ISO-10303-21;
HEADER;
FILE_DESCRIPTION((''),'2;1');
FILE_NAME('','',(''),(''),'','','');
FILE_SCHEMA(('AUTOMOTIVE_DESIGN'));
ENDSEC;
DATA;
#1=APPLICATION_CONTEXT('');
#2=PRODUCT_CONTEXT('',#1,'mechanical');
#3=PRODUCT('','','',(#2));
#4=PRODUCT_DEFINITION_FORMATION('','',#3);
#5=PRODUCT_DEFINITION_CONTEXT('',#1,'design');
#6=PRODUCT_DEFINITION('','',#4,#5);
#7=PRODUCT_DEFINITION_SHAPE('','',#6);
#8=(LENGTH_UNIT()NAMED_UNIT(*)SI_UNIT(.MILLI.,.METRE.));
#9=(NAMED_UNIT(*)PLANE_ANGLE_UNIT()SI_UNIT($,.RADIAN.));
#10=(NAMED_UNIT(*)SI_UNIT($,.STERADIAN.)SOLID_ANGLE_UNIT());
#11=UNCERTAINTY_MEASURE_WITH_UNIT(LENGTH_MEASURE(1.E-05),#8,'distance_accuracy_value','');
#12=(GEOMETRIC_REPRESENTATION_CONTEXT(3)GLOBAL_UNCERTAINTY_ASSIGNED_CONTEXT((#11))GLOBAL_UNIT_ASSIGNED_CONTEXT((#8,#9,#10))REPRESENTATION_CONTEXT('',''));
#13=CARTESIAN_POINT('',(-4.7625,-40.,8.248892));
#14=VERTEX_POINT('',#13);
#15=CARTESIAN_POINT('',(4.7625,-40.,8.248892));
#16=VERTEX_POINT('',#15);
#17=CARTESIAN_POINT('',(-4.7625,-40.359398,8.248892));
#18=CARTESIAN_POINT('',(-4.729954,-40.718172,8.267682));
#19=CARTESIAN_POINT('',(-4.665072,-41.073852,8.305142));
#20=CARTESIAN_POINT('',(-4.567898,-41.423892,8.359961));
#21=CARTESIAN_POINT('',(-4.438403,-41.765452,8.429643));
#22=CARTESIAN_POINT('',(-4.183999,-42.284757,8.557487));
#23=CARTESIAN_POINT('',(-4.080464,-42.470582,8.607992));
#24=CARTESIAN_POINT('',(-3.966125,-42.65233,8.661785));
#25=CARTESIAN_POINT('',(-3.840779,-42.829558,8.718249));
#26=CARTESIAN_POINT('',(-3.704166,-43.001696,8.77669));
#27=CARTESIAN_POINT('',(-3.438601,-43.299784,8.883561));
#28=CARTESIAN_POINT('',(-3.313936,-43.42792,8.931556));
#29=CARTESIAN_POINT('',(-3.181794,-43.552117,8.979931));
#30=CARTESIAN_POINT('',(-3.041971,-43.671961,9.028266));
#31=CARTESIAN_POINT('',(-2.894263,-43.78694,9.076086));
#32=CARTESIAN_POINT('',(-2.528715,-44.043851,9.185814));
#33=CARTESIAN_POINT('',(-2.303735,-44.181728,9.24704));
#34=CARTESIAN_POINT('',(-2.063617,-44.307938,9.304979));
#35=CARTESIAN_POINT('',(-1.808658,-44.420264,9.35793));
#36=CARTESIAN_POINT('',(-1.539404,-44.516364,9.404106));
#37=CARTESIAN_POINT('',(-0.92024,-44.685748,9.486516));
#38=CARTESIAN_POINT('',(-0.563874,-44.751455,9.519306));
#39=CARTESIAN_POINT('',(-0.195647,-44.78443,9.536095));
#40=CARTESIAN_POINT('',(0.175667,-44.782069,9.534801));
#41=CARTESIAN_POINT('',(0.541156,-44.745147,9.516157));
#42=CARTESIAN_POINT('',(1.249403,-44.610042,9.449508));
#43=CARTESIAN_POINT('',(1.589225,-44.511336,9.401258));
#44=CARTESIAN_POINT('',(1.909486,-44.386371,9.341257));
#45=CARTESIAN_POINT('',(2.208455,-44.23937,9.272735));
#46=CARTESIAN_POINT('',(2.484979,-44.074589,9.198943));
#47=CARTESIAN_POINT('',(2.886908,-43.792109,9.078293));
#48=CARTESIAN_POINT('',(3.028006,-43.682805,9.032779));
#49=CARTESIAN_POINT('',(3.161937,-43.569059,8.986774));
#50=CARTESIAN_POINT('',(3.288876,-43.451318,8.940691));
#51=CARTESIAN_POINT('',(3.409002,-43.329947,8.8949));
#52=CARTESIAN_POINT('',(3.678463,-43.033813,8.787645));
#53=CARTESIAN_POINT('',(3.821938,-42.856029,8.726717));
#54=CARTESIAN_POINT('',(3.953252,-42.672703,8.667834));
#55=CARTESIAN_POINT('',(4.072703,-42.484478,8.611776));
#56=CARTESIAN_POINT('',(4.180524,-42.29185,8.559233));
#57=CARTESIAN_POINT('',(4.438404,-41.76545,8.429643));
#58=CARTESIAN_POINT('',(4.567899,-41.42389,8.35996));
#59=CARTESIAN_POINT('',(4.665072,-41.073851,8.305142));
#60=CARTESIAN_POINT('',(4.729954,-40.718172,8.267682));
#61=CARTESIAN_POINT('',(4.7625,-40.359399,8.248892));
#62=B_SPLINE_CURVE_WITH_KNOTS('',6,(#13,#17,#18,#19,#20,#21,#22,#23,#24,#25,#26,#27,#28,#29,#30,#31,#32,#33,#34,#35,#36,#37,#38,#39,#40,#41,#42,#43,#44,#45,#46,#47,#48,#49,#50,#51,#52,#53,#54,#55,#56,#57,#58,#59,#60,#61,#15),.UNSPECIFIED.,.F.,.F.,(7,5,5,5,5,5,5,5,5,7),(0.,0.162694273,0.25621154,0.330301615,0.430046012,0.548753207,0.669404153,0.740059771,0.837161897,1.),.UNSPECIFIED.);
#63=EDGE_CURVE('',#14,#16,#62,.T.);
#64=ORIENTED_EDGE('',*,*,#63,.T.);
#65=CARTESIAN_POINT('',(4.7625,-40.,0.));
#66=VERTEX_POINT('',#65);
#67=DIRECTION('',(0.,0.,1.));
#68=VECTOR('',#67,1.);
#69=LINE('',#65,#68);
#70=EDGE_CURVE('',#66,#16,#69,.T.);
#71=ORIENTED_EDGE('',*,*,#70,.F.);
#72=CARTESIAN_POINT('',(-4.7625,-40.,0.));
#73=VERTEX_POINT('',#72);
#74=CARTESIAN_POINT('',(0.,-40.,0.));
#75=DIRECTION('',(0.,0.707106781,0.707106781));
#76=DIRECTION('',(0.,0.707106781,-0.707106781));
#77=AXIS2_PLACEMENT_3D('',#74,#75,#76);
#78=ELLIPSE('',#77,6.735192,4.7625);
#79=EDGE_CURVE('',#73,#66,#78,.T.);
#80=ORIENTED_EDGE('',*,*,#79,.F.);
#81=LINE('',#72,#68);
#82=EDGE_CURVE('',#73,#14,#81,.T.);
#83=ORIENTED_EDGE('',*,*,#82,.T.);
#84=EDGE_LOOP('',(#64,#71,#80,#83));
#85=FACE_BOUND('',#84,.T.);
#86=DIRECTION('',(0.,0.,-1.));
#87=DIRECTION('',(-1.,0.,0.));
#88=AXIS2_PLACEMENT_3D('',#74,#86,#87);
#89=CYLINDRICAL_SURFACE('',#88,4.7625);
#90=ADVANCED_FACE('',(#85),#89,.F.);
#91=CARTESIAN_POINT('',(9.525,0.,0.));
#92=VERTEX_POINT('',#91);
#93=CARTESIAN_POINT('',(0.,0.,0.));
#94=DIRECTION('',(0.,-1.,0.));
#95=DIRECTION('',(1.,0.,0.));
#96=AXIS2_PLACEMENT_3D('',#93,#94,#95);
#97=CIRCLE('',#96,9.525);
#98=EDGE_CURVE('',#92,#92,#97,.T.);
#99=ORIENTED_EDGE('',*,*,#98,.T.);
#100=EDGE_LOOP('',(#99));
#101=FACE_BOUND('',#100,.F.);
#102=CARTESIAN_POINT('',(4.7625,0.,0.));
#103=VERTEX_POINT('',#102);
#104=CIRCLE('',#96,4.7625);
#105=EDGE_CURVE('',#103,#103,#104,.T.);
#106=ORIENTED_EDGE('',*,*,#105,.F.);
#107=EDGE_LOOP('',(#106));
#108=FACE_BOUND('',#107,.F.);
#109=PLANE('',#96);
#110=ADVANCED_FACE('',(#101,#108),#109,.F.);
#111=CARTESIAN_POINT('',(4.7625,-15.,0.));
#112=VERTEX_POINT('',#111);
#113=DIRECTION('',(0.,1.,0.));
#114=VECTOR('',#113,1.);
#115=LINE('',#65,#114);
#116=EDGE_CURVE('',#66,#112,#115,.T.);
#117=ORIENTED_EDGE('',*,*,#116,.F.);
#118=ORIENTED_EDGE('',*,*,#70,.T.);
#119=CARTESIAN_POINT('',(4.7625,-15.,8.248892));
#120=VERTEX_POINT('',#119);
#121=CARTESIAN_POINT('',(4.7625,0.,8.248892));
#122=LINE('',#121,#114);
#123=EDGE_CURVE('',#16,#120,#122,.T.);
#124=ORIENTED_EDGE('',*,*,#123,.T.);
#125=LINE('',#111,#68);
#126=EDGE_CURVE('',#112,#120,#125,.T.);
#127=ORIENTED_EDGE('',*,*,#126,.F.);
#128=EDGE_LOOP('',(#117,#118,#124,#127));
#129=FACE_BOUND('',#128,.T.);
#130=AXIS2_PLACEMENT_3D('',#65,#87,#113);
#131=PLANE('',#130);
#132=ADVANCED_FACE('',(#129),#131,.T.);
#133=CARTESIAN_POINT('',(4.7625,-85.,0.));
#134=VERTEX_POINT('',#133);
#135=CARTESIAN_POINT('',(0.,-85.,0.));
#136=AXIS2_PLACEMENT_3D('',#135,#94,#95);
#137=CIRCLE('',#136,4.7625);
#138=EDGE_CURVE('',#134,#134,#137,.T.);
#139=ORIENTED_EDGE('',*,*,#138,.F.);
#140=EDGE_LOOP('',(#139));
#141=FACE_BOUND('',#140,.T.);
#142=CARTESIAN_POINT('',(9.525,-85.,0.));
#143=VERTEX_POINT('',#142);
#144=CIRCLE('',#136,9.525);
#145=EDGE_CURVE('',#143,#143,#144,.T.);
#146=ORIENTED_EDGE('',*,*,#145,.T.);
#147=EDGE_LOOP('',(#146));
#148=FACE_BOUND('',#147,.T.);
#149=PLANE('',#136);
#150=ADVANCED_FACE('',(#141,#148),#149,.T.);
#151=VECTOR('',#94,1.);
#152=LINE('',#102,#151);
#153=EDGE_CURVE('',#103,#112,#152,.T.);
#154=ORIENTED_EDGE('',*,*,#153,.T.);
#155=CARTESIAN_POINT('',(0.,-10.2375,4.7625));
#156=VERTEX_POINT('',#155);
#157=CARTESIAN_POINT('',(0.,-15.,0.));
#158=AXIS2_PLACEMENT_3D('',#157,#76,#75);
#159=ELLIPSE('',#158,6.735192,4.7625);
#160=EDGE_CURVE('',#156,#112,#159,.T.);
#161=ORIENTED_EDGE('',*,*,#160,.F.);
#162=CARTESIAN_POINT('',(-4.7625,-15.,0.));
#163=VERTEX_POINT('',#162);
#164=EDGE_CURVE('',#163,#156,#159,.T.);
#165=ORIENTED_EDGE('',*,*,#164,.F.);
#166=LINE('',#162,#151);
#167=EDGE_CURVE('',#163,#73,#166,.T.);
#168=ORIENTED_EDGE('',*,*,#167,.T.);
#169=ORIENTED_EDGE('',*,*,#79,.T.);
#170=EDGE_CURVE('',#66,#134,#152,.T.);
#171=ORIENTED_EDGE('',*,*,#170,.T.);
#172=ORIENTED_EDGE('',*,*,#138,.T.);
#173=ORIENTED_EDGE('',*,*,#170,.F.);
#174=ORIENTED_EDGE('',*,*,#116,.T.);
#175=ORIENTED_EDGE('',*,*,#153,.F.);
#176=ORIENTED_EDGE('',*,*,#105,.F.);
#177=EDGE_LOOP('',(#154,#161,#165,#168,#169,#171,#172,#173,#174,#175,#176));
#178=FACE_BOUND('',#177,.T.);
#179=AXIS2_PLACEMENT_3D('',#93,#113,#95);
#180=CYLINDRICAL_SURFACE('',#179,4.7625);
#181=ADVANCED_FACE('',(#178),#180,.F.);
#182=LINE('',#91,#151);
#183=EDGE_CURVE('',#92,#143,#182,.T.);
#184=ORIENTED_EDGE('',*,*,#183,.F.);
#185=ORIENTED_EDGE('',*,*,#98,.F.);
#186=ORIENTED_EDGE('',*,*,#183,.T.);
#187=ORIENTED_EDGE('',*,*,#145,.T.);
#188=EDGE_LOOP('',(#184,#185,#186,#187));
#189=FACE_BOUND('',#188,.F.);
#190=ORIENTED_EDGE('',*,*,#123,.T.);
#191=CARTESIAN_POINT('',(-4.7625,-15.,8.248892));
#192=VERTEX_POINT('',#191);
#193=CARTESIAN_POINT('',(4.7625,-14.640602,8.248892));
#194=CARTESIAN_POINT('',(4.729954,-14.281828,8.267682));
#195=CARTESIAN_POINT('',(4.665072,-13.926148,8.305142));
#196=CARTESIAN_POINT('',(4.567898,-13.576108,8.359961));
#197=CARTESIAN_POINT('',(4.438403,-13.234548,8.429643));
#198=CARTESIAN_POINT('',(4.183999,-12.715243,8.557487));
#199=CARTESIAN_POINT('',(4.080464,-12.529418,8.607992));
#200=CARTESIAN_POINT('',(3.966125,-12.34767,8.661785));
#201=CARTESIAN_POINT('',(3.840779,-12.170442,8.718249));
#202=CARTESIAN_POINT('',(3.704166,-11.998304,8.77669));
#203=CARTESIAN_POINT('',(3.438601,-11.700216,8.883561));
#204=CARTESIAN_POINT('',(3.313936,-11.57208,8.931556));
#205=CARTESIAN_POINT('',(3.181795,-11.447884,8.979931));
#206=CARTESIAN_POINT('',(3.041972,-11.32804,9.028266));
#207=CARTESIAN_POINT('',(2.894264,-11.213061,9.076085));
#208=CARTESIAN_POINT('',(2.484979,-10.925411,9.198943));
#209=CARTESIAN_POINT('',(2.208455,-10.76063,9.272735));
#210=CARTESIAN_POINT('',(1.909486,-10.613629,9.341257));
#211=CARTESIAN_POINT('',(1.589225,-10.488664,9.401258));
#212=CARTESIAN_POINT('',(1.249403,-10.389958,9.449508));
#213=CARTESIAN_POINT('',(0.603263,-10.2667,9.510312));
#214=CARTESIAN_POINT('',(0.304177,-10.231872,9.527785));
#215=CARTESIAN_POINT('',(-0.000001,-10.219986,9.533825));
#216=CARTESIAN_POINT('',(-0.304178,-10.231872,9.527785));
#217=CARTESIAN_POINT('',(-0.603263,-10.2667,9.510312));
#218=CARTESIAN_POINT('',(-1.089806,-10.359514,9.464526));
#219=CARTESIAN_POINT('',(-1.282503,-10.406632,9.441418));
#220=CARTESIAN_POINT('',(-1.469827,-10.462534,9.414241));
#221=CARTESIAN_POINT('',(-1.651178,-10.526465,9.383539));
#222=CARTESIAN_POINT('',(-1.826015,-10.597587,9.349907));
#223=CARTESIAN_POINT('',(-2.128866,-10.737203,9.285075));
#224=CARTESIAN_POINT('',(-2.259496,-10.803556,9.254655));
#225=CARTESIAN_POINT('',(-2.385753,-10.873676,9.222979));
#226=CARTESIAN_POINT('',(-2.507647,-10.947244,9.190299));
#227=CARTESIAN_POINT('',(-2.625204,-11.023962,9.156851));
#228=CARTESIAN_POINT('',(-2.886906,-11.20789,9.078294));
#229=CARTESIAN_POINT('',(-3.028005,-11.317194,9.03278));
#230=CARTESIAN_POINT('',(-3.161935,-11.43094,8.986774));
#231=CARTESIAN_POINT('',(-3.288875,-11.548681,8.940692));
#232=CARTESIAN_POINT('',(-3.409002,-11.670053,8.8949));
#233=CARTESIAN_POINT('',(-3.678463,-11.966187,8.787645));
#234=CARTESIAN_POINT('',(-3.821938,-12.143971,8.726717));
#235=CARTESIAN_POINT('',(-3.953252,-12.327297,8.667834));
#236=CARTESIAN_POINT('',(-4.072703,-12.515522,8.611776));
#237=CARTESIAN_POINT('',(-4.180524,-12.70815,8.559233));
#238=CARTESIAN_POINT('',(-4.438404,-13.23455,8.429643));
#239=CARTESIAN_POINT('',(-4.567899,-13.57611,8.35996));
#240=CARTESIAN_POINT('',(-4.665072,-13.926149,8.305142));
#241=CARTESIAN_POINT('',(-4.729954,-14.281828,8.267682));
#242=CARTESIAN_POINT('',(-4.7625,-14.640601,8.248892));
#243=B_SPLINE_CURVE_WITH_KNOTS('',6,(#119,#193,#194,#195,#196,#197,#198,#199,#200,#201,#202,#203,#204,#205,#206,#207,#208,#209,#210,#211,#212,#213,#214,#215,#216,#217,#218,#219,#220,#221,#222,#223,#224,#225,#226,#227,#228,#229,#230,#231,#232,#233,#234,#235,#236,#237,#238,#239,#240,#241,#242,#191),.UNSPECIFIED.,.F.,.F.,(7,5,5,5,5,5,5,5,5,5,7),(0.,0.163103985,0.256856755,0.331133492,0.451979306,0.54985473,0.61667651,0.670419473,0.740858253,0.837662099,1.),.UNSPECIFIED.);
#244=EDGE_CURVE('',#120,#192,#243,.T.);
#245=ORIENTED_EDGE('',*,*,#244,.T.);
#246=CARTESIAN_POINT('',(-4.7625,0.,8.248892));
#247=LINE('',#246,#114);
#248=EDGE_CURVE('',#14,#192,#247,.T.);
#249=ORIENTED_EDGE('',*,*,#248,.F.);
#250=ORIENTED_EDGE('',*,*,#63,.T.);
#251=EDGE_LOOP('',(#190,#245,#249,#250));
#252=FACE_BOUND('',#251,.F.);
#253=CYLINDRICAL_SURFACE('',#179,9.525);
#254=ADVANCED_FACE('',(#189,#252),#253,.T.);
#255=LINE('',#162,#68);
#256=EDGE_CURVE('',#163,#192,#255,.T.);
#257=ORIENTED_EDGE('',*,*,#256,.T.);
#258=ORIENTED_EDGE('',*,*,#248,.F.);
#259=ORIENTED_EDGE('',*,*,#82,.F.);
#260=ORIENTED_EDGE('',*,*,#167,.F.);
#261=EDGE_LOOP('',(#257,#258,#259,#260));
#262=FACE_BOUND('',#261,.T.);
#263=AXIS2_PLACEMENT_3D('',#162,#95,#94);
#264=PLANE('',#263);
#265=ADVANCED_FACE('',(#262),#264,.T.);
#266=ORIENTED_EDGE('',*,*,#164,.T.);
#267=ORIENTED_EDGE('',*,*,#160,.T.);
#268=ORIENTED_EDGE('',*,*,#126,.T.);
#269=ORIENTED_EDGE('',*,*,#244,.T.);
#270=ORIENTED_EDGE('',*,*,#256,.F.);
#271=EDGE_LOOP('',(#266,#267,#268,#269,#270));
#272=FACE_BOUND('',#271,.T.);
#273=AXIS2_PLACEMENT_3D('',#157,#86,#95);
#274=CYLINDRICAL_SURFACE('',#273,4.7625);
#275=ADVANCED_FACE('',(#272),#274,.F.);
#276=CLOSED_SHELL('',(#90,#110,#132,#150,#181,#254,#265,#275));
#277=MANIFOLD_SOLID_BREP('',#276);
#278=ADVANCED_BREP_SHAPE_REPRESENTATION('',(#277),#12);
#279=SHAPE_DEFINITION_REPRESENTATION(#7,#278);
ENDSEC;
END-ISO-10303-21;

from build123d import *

# Parameters (mm, degrees)
F0_R     = 9.525
F0_R_2   = 4.7625
F1_DEPTH = 85
F3_DEPTH = 9.526


with BuildPart() as f1:
    # F0 (on Front) → F1 (new body)
    with BuildSketch(Plane.XZ):
        Circle(F0_R)
        Circle(F0_R_2, mode=Mode.SUBTRACT)
    extrude(amount=F1_DEPTH)

    # F2 (on Top) → F3 (cut, through all)
    with BuildSketch(Plane.XY):
        with BuildLine():
            ThreePointArc((4.7625, -15), (0, -10.2375), (-4.7625, -15))
            Line((-4.7625, -15), (4.7625, -15))
        make_face()
        with BuildLine():
            ThreePointArc((4.7625, -15), (0, -19.7625), (-4.7625, -15))
            Line((-4.7625, -15), (-4.7625, -40))
            ThreePointArc((-4.7625, -40), (0, -35.2375), (4.7625, -40))
            Line((4.7625, -40), (4.7625, -15))
        make_face()
        with BuildLine():
            Line((4.7625, -15), (-4.7625, -15))
            ThreePointArc((-4.7625, -15), (0, -19.7625), (4.7625, -15))
        make_face()
        with BuildLine():
            ThreePointArc((4.7625, -40), (0, -35.2375), (-4.7625, -40))
            Line((-4.7625, -40), (4.7625, -40))
        make_face()
        with BuildLine():
            Line((4.7625, -40), (-4.7625, -40))
            ThreePointArc((-4.7625, -40), (0, -44.7625), (4.7625, -40))
        make_face()
    extrude(amount=F3_DEPTH, mode=Mode.SUBTRACT)


solid = f1.part
